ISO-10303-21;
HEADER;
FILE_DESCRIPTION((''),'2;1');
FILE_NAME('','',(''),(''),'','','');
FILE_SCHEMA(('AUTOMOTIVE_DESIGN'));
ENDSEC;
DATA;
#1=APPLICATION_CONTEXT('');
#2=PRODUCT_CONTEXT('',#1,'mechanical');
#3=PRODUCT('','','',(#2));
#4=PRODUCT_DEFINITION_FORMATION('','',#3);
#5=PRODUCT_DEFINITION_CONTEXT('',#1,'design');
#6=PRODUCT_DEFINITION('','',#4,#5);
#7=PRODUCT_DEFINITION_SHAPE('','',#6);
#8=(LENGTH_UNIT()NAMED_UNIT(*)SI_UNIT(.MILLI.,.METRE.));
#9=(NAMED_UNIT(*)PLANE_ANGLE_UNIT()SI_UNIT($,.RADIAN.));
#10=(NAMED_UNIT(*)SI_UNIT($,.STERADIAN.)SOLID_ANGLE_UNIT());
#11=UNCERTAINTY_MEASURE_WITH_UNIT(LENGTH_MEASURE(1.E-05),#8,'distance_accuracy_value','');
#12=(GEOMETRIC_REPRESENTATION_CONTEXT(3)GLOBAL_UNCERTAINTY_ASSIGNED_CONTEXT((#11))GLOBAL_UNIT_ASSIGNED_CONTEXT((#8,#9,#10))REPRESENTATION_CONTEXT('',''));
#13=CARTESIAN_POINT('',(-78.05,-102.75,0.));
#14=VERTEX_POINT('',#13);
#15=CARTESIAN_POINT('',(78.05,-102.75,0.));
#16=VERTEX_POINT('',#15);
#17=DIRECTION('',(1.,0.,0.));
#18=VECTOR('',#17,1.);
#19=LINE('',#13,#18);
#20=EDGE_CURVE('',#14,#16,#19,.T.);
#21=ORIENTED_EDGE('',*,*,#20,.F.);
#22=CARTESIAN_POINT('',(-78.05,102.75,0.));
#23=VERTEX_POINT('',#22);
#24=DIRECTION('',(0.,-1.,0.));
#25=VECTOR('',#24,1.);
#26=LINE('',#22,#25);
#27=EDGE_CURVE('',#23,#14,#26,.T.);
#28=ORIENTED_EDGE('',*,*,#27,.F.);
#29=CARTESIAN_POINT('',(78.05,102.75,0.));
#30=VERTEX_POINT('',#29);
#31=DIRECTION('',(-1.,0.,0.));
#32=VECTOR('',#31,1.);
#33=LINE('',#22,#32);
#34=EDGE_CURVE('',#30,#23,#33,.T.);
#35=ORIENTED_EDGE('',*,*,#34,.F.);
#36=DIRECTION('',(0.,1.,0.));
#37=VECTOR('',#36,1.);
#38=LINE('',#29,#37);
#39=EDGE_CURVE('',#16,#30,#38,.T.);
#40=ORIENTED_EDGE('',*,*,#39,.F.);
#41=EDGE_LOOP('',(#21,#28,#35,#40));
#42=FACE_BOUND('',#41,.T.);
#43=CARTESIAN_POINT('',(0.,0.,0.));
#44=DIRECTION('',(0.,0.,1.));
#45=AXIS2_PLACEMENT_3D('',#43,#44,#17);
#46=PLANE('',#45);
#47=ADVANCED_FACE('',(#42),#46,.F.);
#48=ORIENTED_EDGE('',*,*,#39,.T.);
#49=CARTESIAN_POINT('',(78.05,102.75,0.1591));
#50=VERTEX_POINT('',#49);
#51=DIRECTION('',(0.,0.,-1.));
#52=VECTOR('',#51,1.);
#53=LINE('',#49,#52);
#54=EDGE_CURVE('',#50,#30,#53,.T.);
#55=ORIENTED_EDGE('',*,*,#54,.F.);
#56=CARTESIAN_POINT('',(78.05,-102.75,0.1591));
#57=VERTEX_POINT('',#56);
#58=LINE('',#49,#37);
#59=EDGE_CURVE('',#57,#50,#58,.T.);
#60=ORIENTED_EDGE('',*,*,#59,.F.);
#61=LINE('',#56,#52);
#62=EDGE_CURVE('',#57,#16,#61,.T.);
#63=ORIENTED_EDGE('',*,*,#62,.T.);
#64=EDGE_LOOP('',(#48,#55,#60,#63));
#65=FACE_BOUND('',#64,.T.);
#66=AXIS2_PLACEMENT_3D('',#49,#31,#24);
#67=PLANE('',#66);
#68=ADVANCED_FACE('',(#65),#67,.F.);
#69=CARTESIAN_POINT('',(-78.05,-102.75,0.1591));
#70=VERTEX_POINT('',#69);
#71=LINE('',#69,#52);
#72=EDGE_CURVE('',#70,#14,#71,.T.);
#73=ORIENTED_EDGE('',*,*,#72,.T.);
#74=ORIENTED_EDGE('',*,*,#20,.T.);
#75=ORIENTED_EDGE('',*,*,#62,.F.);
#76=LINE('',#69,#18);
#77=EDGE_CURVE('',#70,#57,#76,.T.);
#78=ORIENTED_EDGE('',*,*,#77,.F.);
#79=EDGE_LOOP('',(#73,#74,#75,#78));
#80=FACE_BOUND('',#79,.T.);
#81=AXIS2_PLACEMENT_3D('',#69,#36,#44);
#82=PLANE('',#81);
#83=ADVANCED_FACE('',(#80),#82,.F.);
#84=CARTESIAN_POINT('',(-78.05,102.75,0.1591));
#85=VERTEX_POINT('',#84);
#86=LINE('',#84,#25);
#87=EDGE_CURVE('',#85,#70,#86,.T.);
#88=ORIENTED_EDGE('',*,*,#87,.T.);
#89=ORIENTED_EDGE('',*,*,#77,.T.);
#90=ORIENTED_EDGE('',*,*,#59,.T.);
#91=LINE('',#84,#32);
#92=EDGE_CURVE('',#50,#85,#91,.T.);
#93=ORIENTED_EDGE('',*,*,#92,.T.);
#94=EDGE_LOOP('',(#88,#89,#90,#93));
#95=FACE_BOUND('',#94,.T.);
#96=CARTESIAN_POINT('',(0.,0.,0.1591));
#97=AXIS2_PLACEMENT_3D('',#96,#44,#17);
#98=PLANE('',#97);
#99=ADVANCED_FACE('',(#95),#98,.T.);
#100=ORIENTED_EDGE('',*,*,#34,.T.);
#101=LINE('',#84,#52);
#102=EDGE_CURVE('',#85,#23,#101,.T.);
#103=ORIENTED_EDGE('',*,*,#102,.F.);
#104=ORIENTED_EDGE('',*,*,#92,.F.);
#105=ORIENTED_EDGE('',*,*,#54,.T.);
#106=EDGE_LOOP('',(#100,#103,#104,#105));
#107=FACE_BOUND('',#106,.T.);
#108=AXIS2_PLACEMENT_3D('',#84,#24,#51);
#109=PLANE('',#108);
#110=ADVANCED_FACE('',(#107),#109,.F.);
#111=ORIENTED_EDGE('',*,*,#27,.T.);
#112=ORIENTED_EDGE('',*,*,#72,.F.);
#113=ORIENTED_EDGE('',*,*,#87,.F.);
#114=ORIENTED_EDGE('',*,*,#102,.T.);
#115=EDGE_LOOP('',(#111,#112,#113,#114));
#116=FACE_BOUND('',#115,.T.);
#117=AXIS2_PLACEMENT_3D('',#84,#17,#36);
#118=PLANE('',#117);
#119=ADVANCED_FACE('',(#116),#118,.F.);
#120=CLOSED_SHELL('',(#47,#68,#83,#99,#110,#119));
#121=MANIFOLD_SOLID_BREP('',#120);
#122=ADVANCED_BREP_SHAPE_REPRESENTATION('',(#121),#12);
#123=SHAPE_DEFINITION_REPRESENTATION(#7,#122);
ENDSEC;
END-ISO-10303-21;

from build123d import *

# Parameters (mm, degrees)
SKETCH1_W      = 156.1
SKETCH1_H      = 205.5
POSITIVE_DEPTH = 0.1591


with BuildPart() as part:
    # Sketch1 → Positive (new body)
    with BuildSketch(Plane.XY):
        Rectangle(SKETCH1_W, SKETCH1_H)
    extrude(amount=POSITIVE_DEPTH)


solid = part.part
